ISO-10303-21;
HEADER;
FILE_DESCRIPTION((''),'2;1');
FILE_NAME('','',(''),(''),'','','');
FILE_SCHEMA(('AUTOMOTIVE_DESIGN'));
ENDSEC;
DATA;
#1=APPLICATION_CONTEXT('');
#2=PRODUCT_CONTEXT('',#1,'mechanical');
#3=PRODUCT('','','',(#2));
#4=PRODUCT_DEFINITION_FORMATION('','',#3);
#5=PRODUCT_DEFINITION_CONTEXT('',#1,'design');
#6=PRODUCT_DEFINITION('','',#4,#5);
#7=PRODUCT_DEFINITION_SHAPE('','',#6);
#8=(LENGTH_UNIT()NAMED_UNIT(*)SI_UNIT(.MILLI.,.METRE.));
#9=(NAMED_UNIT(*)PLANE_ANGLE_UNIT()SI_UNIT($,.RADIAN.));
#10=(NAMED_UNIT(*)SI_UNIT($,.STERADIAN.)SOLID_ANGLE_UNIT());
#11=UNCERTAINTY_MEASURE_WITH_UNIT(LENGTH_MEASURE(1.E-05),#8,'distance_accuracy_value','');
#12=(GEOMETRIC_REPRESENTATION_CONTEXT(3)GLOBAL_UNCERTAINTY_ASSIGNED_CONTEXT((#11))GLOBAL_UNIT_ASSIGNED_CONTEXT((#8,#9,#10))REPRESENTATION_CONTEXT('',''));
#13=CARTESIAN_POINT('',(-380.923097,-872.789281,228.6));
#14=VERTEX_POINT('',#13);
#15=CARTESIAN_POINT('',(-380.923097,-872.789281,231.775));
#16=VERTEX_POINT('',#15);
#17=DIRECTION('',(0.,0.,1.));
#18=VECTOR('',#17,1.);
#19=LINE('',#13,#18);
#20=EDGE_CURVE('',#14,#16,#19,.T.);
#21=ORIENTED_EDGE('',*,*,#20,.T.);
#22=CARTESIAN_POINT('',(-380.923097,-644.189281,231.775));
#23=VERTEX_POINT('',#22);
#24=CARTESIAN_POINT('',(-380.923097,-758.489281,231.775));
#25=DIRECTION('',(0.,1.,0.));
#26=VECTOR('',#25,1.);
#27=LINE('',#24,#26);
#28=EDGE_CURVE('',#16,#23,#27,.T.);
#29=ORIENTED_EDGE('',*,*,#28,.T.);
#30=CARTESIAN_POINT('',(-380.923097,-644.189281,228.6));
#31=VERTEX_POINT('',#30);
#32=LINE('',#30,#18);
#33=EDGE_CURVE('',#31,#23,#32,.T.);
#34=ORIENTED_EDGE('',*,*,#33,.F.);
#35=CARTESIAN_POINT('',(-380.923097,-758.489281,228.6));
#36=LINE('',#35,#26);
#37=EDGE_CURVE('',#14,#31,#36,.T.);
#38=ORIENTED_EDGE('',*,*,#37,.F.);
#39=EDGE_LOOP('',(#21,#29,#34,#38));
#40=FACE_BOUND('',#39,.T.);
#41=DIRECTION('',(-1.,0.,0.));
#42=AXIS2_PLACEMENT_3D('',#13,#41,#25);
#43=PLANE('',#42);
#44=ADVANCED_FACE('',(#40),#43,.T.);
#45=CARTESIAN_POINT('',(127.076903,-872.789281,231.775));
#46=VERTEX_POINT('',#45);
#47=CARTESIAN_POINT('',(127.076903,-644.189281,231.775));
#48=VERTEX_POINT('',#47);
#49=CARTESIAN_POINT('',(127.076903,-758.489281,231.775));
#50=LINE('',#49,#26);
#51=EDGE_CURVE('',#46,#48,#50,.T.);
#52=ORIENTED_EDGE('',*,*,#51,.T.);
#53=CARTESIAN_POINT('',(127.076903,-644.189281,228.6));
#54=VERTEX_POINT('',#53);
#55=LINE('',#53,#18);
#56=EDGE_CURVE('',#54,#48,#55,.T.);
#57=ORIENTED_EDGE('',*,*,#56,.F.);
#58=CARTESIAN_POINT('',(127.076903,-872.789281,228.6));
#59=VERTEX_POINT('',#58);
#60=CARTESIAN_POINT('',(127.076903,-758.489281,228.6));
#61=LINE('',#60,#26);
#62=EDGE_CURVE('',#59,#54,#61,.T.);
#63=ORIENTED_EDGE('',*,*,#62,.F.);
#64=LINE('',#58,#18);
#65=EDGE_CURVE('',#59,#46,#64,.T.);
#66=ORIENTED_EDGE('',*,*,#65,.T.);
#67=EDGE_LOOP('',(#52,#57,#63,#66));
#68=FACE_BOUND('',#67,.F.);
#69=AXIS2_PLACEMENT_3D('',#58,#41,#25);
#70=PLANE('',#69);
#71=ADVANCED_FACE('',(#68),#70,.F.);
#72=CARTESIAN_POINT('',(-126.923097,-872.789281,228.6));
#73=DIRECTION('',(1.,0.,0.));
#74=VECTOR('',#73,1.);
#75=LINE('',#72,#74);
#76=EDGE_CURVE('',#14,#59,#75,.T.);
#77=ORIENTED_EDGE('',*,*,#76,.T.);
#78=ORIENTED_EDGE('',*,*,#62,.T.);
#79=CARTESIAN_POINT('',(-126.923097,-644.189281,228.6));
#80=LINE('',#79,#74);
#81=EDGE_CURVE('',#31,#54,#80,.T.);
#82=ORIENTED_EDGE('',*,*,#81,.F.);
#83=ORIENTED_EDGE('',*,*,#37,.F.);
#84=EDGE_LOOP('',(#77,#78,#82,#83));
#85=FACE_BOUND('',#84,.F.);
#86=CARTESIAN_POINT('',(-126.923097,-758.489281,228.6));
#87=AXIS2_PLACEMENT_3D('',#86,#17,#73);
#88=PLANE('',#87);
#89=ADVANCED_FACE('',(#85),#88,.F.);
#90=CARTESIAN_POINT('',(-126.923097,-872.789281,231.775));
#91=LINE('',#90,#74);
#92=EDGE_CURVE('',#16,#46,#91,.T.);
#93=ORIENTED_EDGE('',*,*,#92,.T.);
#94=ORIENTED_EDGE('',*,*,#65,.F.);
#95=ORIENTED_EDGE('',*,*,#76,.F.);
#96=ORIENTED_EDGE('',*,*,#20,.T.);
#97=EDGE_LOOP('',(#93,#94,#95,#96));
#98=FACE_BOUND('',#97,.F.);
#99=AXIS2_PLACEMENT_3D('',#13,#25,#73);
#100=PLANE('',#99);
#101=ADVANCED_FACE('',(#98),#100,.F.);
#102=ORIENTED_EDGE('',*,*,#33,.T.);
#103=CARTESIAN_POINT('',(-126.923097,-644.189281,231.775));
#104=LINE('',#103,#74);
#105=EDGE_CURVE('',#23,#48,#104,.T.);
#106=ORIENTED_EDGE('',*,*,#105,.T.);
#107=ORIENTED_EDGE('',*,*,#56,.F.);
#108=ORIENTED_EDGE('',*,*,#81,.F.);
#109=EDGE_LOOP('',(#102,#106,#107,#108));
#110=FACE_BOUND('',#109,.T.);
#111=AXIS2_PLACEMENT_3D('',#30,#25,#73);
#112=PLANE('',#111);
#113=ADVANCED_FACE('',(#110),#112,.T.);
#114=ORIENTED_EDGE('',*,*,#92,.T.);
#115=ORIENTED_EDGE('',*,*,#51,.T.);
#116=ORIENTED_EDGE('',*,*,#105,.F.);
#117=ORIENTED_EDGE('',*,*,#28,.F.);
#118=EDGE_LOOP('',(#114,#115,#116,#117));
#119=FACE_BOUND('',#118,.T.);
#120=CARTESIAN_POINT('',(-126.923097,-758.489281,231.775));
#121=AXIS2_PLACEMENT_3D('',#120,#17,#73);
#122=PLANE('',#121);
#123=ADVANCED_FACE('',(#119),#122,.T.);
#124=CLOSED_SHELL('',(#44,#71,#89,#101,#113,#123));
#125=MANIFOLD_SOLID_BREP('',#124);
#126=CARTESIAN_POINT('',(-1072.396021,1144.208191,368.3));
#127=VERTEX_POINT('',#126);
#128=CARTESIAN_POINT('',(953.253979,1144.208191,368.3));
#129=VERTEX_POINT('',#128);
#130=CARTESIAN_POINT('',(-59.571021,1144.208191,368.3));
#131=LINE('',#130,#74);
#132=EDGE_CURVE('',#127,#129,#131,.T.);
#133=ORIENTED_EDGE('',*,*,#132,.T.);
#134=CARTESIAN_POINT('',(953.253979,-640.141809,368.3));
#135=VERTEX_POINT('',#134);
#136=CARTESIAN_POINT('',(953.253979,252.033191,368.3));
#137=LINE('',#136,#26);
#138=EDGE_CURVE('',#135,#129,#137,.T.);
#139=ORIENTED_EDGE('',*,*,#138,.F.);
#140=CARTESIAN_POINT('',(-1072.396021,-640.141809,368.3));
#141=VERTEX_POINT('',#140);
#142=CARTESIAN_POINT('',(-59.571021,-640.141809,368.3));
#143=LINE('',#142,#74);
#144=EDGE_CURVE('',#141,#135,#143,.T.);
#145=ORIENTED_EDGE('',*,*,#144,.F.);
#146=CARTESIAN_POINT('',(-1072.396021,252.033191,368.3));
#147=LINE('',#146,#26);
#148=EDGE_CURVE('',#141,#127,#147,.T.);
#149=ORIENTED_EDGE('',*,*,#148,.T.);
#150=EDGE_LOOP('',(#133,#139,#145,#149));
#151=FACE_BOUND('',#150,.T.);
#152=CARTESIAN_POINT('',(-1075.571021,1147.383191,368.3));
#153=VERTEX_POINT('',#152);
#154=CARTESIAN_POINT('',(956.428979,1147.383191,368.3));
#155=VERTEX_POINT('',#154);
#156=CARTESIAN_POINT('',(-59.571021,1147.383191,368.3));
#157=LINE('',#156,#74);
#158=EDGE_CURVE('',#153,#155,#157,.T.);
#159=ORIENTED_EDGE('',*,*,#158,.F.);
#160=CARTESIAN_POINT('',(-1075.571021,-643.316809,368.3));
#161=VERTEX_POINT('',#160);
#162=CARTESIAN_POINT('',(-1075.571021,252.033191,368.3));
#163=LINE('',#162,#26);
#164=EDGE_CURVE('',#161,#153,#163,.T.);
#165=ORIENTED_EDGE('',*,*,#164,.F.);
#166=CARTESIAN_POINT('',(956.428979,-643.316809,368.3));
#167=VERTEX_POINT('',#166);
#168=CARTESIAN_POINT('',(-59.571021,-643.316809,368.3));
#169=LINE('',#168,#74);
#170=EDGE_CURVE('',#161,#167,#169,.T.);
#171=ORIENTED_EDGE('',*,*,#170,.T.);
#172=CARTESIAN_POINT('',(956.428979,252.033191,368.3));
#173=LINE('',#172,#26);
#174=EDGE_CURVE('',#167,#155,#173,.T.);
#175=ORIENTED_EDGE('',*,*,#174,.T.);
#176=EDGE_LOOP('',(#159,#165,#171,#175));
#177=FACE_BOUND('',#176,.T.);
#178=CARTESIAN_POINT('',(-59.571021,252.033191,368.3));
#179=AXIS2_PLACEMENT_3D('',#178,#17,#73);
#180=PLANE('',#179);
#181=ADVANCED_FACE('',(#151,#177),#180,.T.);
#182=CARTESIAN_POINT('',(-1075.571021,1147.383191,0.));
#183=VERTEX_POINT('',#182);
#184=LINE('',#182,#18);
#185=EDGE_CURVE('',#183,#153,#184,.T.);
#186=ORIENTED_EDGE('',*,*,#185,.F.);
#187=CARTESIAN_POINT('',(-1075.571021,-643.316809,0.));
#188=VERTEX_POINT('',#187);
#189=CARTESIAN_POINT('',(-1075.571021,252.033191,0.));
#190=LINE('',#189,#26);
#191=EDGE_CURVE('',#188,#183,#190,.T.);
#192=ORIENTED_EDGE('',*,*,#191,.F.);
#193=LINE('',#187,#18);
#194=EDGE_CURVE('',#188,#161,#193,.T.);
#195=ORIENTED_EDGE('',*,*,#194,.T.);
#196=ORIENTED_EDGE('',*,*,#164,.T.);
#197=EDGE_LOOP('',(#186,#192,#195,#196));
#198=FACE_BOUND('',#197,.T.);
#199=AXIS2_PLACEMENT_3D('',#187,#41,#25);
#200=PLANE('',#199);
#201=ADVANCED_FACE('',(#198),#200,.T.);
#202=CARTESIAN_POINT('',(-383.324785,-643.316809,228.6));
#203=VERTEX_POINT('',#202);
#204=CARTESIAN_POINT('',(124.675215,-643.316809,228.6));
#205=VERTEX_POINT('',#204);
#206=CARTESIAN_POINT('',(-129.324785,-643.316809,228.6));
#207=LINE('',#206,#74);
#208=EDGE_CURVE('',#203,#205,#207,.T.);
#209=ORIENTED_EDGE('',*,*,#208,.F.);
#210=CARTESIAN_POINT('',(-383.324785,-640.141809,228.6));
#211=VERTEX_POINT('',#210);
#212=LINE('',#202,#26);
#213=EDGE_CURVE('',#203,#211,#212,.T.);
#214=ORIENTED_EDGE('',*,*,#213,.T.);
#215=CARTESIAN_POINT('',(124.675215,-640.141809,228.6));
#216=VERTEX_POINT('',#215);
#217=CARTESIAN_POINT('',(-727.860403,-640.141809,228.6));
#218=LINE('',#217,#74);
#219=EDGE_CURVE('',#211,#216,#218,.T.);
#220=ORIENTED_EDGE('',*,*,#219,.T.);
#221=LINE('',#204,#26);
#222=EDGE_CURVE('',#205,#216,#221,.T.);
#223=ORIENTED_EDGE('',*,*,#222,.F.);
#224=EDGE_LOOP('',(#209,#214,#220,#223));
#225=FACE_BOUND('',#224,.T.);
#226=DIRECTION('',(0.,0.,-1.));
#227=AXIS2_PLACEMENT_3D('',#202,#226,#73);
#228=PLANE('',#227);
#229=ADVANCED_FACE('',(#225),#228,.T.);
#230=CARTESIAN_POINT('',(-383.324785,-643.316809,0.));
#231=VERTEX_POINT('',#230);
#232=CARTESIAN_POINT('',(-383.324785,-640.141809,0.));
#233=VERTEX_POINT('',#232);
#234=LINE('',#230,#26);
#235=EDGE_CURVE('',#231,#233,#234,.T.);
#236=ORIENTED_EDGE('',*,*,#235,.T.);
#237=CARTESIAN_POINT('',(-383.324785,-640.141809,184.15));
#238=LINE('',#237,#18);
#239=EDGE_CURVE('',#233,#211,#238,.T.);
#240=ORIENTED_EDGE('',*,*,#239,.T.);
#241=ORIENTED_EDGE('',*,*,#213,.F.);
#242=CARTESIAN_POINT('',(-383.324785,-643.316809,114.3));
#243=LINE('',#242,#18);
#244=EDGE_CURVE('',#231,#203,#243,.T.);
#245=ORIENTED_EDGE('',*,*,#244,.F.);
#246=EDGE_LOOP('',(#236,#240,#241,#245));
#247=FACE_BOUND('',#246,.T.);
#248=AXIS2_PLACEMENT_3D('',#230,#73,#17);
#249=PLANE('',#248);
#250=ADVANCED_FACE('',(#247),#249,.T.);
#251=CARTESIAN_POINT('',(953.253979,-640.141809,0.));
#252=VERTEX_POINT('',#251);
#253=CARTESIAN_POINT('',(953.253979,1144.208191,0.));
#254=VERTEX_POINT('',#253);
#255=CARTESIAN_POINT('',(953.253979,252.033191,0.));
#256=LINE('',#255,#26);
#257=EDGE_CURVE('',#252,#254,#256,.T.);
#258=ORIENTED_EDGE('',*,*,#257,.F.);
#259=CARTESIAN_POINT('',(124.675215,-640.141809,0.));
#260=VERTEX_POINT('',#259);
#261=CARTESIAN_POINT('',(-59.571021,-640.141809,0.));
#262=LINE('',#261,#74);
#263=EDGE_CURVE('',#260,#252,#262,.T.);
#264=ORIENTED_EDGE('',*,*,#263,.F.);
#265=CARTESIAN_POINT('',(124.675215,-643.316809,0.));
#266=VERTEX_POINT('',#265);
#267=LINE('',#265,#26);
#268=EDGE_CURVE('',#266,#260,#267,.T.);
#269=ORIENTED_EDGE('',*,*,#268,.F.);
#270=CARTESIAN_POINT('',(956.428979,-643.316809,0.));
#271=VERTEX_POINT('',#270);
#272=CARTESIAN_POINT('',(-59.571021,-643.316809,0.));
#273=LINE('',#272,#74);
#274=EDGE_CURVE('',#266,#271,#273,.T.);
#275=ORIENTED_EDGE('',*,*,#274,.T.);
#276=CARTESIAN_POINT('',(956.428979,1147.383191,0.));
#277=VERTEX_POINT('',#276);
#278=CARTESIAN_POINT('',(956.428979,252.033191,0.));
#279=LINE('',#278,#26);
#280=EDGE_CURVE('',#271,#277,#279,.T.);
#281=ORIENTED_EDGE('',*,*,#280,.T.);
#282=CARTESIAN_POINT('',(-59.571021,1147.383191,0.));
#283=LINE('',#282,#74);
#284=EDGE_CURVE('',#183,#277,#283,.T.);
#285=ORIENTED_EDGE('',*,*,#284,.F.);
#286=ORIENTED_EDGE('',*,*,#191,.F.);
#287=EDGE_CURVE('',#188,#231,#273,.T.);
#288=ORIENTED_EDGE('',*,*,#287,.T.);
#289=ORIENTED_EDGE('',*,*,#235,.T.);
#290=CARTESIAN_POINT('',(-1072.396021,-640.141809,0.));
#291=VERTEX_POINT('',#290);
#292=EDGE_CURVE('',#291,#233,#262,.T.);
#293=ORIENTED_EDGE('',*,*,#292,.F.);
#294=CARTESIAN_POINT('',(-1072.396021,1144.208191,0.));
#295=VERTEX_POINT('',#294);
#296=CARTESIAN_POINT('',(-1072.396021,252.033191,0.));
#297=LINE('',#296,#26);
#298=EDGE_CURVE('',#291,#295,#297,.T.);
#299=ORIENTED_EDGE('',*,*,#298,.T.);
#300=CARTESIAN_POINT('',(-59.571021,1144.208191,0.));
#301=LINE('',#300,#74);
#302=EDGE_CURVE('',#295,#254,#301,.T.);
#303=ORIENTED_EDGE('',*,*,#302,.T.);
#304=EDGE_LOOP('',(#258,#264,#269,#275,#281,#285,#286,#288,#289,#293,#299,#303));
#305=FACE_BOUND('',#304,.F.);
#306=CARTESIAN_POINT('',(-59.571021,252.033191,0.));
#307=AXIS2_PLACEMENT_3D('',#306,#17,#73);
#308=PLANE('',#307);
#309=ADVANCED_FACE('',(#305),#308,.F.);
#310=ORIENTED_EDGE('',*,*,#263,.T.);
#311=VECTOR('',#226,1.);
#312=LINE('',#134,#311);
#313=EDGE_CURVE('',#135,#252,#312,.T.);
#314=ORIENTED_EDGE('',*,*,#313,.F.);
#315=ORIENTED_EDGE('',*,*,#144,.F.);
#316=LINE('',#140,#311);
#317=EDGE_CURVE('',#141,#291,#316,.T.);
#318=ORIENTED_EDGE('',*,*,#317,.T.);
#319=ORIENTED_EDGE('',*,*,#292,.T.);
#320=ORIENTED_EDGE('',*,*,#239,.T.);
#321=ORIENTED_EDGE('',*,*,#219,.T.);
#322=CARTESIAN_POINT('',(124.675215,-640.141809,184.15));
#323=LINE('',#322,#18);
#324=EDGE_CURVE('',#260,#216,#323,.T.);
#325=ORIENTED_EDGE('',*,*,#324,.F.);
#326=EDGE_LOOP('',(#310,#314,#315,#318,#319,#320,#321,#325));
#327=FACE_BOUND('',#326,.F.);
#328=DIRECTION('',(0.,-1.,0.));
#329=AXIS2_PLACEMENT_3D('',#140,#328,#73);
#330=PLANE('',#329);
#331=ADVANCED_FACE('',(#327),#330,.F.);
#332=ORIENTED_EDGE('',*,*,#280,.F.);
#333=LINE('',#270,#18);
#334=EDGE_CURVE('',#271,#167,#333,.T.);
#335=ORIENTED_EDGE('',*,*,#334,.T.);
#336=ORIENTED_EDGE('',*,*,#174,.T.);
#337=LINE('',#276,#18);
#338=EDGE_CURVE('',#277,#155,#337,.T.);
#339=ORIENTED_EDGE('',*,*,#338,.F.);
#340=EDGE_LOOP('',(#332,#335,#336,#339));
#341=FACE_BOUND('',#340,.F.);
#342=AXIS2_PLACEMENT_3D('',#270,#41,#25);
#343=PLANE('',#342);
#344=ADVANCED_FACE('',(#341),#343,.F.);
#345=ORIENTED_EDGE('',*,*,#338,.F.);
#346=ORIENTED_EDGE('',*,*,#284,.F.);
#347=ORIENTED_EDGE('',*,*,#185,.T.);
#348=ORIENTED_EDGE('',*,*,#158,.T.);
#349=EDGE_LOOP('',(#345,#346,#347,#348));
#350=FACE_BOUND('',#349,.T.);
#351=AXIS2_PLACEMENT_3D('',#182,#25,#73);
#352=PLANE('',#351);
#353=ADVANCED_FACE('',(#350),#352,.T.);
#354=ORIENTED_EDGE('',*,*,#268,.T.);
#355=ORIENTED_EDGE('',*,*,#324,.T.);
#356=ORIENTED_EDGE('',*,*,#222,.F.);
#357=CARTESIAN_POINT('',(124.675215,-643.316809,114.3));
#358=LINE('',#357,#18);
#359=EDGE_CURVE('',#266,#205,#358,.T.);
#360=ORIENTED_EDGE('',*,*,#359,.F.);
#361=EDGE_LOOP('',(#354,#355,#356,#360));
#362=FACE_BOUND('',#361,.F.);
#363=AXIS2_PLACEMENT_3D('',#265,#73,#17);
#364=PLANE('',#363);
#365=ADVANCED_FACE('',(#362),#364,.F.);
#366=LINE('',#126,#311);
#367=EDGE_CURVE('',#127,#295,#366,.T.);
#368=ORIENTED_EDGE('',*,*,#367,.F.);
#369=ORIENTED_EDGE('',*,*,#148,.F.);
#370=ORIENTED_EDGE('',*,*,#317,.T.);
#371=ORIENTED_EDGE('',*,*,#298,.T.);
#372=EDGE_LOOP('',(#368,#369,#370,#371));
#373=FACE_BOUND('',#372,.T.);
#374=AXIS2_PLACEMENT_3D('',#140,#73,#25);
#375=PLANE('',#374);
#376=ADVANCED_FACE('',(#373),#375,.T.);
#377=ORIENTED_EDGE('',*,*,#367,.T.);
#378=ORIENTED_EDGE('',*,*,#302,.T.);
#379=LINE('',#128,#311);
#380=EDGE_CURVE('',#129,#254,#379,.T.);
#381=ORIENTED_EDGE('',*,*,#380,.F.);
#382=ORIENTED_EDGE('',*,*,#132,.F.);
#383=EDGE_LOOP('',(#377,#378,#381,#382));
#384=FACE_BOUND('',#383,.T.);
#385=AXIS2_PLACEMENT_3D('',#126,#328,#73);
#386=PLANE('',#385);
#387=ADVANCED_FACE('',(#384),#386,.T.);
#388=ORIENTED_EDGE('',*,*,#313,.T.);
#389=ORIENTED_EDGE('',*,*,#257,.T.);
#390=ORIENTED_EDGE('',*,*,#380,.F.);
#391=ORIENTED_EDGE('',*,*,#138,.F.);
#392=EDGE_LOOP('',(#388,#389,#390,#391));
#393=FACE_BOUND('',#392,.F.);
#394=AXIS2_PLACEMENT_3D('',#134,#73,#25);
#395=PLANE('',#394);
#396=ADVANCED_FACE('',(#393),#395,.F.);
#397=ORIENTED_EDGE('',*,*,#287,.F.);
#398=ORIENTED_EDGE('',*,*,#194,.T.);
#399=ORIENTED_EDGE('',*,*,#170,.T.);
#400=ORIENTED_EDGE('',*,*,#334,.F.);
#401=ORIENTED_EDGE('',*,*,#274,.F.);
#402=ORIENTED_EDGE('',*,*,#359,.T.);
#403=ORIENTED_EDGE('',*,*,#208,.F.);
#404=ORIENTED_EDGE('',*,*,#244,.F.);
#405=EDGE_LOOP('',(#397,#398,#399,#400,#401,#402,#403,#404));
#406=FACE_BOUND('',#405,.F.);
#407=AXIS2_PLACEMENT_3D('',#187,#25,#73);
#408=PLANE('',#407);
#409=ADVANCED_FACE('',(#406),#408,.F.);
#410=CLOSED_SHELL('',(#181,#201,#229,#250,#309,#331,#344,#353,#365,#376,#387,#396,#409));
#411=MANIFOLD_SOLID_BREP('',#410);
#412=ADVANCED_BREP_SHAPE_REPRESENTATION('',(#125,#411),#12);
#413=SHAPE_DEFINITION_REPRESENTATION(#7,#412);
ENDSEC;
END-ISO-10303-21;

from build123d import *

# Parameters (mm, degrees)
F0_W     = 2032
F0_H     = 1790.7
F1_DEPTH = 368.3
F2_W     = 2025.65
F2_H     = 1784.35
F3_DEPTH = 368.3
F4_W     = 508
F4_H     = 228.6
F5_DEPTH = 25.4
F7_W     = 508
F7_H     = 228.6
F8_DEPTH = 3.175


with BuildPart() as f1:
    # F0 (on Top) → F1 (new body)
    with BuildSketch(Plane.XY):
        with Locations((-59.571021, 252.033191)):
            Rectangle(F0_W, F0_H)
    extrude(amount=F1_DEPTH)

    # F2 (on face) → F3 (cut)
    with BuildSketch(Plane.XY.offset(368.3)):
        with Locations((-59.571021, 252.033191)):
            Rectangle(F2_W, F2_H)
    extrude(amount=-F3_DEPTH, mode=Mode.SUBTRACT)

    # F4 (on face) → F5 (cut)
    with BuildSketch(Plane.XZ.offset(643.316809)):
        with Locations((-129.324785, 114.3)):
            Rectangle(F4_W, F4_H)
    extrude(amount=-F5_DEPTH, mode=Mode.SUBTRACT)


with BuildPart() as f8:
    # F7 (on offset) → F8 (new body)
    with BuildSketch(Plane.XY.offset(228.6)):
        with Locations((-126.923097, -758.489281)):
            Rectangle(F7_W, F7_H)
    extrude(amount=F8_DEPTH)


solid = Compound([f1.part, f8.part])
